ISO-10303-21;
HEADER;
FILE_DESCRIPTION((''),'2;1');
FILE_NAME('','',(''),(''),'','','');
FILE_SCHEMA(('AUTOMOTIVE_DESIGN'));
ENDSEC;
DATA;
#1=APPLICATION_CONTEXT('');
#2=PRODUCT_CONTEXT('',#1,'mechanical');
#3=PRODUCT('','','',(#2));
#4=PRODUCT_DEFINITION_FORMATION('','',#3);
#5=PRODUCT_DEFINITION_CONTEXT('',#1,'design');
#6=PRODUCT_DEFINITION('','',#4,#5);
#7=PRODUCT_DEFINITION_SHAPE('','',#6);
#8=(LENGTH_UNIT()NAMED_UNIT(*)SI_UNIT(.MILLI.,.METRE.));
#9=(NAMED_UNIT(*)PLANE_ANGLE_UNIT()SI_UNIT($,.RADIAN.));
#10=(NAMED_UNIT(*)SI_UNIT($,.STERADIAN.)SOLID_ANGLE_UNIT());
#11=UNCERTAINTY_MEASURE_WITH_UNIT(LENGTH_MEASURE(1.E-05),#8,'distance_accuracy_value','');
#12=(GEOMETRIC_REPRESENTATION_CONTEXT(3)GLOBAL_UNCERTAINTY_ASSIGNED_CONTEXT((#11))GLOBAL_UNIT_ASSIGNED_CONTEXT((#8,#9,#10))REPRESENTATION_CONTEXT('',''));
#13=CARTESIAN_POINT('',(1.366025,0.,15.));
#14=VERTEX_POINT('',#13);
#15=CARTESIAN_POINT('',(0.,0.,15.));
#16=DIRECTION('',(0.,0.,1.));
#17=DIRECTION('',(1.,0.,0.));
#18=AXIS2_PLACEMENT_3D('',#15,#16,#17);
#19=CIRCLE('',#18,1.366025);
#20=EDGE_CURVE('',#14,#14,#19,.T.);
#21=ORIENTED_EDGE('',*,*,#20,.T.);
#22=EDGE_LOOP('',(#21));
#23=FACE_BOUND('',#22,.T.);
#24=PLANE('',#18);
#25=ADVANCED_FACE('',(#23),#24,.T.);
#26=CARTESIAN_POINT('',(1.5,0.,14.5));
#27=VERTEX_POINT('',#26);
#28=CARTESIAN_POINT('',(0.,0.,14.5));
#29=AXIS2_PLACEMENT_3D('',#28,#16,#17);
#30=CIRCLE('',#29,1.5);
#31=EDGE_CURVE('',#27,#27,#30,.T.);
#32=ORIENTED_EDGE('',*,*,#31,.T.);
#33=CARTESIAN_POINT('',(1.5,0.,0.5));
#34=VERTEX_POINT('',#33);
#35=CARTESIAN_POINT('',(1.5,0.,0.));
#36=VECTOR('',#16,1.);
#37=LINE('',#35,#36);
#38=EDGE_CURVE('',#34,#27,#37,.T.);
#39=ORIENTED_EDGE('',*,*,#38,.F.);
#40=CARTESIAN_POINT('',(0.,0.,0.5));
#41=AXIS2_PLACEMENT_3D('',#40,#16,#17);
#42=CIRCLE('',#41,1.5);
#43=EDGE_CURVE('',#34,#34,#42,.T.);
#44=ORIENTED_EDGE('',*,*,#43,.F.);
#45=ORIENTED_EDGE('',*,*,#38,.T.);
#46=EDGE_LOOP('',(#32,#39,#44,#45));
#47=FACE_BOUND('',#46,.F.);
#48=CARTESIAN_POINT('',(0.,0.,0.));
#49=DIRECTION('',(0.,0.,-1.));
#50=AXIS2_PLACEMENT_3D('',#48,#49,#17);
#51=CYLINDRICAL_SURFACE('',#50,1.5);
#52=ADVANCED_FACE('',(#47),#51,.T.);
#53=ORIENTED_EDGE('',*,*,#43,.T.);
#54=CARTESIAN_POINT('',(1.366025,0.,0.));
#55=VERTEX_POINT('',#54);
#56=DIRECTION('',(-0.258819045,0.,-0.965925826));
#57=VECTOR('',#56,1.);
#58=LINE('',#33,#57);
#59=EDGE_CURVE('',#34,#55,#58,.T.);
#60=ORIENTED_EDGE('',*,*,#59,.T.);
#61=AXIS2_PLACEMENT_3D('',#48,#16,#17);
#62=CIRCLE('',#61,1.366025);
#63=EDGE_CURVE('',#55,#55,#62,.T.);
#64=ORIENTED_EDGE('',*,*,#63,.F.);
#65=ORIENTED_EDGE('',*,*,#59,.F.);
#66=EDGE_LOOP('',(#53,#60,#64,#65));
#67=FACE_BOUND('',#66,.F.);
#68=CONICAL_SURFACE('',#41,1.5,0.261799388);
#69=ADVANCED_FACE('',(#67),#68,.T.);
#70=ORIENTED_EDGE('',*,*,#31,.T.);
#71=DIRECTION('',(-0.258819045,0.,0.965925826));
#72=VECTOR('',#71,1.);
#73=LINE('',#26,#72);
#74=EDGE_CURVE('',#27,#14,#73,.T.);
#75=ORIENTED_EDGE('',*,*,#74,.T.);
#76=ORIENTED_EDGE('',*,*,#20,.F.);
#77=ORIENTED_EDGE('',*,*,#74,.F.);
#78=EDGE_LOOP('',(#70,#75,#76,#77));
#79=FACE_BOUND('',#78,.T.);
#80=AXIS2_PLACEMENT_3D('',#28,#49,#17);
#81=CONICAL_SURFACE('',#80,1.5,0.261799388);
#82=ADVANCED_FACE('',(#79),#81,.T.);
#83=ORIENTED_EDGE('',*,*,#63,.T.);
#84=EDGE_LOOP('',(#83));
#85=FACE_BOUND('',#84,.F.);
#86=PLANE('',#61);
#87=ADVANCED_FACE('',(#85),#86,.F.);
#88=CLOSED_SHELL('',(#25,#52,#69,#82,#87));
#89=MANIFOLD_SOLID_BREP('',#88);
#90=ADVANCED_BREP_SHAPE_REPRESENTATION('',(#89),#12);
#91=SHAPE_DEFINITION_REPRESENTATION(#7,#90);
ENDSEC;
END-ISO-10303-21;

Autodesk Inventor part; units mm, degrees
ref_plane "YZ Plane" through (0, 0, 0) normal (1, 0, 0) x (0, 1, 0)
ref_plane "XZ Plane" through (0, 0, 0) normal (0, 1, 0) x (-1, 0, 0)
ref_plane "XY Plane" through (0, 0, 0) normal (0, 0, 1) x (1, 0, 0)
sketch "スケッチ1" plane through (0, 0, 0) normal (0, 0, 1) x (1, 0, 0)
  circle A0 centre (0, 0) radius 1.5
  dimension "d0" = 3
extrude "押し出し1" add sketch "スケッチ1" along normal blind 15
chamfer "面取り1" distance 0.5 angle 15 2 edges at (-1.5, 0, 0) (-1.5, 0, 15) measured on face at (1.4951, -0.1207, 10)
properties part number "平行ピンD3L15" material "ステンレス鋼"
